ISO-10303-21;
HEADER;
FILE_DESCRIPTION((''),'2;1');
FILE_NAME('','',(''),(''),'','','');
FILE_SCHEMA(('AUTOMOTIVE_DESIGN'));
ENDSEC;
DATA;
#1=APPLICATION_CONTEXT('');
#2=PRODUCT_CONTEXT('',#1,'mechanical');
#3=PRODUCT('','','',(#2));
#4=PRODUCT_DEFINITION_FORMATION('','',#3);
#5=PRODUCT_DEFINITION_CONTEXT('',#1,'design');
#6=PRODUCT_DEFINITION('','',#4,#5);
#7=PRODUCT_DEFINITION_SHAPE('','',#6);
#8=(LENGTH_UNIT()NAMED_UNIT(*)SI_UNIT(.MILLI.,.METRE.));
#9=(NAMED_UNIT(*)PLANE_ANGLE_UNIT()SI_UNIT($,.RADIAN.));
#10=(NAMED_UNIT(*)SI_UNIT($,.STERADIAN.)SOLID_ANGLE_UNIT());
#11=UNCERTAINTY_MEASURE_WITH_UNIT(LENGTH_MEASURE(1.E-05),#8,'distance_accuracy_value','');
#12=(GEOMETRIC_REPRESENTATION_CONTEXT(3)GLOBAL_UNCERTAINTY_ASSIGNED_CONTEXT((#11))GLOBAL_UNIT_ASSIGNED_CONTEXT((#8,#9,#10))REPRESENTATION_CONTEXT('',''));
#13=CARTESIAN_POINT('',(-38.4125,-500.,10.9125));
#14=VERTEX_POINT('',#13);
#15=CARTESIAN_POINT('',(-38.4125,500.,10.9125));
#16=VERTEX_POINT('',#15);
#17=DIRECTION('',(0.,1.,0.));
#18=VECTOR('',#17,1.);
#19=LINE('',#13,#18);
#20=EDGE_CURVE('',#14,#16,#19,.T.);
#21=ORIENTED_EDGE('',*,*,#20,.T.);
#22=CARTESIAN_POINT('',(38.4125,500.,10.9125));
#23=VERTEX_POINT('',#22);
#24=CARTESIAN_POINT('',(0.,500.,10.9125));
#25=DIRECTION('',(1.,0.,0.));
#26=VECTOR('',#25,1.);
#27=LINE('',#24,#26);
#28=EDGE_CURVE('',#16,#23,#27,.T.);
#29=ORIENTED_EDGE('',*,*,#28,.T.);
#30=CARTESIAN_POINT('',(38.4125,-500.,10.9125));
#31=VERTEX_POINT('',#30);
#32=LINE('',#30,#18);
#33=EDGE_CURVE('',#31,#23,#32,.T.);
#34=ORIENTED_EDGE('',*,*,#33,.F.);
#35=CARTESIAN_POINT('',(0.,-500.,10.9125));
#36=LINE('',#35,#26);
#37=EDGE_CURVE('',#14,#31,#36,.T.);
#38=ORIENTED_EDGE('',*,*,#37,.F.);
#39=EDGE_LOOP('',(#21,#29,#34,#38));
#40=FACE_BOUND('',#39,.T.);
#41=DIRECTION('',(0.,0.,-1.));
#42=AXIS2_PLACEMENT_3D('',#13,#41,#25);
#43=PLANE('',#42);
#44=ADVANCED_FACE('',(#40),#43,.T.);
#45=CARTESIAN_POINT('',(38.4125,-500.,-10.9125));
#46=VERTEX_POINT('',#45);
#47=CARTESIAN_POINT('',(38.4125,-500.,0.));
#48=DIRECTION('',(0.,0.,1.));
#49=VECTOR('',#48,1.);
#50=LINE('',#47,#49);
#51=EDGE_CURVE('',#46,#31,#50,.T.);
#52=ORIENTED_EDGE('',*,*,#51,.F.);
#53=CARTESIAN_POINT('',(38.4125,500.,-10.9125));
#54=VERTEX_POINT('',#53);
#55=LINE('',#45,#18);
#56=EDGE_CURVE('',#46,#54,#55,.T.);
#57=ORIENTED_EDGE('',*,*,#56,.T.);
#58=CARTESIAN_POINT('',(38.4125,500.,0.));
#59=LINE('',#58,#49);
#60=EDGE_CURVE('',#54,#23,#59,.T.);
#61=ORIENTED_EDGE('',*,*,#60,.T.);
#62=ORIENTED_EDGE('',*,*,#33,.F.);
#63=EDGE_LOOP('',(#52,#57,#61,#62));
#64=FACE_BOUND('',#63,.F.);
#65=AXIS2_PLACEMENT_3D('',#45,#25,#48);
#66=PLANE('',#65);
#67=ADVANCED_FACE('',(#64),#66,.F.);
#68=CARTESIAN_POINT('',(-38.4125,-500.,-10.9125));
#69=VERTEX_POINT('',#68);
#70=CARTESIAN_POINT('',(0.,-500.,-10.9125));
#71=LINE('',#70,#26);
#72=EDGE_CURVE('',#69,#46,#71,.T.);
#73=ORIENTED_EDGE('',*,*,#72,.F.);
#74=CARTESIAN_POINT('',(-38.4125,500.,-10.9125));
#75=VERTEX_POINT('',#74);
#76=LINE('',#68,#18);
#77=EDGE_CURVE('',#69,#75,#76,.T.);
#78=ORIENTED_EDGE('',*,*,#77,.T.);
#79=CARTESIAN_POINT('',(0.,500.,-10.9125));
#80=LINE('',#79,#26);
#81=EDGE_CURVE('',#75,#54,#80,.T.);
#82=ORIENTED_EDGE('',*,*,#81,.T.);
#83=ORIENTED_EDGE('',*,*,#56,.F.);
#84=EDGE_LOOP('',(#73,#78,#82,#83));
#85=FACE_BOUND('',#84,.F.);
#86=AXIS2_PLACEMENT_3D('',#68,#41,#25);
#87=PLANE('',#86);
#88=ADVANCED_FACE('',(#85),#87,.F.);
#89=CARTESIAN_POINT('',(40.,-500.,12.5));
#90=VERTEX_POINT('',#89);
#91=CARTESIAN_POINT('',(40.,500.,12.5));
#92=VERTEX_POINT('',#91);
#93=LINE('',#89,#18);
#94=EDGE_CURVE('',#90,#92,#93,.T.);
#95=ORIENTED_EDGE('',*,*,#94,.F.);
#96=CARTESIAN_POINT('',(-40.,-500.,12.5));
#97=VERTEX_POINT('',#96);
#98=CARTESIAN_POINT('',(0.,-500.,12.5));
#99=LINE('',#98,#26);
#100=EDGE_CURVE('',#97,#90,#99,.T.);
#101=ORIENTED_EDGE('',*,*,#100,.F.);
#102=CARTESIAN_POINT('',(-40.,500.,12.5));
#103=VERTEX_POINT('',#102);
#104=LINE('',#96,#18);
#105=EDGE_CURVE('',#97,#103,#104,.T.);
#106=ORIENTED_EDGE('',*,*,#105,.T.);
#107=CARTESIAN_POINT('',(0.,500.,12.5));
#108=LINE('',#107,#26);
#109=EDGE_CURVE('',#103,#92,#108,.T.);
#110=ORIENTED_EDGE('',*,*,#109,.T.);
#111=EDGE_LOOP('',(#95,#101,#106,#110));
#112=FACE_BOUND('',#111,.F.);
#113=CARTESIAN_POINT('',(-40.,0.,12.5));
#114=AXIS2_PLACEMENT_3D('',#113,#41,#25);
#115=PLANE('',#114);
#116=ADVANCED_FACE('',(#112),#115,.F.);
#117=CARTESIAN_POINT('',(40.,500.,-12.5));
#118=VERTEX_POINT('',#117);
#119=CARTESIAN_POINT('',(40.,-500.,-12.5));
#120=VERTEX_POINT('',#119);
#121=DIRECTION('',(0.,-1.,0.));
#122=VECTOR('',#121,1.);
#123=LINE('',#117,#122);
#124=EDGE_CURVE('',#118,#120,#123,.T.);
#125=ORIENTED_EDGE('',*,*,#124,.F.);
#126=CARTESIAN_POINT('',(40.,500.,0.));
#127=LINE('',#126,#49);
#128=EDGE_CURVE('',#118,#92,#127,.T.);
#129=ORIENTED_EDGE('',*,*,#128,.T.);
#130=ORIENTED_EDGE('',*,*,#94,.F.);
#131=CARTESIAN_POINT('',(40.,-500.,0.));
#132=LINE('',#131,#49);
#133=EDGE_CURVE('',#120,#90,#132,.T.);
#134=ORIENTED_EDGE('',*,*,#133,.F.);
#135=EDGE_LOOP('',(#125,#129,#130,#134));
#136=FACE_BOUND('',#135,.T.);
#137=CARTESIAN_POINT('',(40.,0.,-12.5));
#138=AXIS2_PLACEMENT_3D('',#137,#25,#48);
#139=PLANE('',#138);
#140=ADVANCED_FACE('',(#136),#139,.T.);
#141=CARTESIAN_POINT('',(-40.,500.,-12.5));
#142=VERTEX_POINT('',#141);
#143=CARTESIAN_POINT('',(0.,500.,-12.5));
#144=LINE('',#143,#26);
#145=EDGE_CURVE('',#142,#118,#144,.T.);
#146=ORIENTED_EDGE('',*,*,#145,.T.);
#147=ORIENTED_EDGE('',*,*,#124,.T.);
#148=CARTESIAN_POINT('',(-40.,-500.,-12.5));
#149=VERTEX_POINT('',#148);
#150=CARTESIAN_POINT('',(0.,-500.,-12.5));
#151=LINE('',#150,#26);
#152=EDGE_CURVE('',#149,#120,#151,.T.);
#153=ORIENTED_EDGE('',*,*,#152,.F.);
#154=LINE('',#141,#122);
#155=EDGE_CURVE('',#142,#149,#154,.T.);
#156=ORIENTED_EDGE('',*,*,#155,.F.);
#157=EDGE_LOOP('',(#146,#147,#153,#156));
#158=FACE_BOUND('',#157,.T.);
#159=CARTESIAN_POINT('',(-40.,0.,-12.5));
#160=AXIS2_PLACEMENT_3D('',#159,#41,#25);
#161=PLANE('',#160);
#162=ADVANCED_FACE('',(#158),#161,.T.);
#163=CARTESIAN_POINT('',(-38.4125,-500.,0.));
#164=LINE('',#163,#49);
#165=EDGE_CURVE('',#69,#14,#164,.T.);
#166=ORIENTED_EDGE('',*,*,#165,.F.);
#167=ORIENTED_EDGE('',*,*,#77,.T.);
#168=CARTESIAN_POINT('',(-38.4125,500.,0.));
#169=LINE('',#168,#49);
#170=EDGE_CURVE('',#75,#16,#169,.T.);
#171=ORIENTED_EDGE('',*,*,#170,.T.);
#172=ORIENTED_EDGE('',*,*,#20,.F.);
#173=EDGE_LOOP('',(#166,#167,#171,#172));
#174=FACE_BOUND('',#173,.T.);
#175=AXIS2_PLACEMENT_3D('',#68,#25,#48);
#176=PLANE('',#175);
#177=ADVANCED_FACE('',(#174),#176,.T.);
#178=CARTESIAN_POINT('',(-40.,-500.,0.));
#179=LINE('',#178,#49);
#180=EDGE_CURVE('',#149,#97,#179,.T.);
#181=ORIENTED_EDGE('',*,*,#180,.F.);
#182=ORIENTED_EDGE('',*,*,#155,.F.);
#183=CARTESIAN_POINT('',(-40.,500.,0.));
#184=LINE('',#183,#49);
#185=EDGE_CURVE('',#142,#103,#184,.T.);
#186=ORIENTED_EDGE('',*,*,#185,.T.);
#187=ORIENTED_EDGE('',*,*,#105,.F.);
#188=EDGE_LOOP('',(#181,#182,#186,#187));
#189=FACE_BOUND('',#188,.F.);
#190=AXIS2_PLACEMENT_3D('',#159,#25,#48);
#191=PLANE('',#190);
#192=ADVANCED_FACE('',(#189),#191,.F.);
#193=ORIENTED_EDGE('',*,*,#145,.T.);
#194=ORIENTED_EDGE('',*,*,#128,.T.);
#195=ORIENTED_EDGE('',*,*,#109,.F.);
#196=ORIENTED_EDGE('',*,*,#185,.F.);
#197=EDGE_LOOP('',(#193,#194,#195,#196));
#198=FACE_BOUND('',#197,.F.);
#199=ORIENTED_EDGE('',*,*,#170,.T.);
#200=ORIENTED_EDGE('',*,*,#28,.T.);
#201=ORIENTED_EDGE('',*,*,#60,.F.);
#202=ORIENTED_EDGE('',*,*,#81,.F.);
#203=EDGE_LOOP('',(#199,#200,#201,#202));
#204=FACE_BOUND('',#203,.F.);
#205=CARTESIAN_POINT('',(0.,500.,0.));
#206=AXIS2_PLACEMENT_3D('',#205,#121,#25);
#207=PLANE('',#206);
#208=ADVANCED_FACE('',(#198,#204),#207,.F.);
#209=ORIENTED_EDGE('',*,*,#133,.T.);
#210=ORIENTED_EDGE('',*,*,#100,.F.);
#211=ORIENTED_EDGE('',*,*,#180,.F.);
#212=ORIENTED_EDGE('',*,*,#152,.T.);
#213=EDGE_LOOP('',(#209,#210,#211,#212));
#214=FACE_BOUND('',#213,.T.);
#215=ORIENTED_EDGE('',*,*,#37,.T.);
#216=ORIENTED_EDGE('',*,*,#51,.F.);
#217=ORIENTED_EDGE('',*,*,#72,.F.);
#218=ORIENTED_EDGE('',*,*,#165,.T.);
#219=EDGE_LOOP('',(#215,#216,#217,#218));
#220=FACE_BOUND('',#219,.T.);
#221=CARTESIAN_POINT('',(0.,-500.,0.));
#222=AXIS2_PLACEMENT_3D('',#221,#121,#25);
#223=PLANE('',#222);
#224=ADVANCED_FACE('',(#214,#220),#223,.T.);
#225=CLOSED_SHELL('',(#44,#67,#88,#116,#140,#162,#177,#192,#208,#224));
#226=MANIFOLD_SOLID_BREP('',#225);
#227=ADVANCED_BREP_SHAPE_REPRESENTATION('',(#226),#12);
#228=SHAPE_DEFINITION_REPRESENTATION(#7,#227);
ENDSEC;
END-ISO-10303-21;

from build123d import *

# Parameters (mm, degrees)
F0_W     = 80
F0_H     = 25
F1_DEPTH = 500
F2_W     = 76.825
F2_H     = 21.825
F3_DEPTH = 1000


with BuildPart() as f1:
    # F0 (on Front) → F1 (new body, symmetric)
    with BuildSketch(Plane.XZ):
        Rectangle(F0_W, F0_H)
    extrude(amount=F1_DEPTH, both=True)

    # F2 (on face) → F3 (cut)
    with BuildSketch(Plane.XZ.offset(500)):
        Rectangle(F2_W, F2_H)
    extrude(amount=-F3_DEPTH, mode=Mode.SUBTRACT)


solid = f1.part
